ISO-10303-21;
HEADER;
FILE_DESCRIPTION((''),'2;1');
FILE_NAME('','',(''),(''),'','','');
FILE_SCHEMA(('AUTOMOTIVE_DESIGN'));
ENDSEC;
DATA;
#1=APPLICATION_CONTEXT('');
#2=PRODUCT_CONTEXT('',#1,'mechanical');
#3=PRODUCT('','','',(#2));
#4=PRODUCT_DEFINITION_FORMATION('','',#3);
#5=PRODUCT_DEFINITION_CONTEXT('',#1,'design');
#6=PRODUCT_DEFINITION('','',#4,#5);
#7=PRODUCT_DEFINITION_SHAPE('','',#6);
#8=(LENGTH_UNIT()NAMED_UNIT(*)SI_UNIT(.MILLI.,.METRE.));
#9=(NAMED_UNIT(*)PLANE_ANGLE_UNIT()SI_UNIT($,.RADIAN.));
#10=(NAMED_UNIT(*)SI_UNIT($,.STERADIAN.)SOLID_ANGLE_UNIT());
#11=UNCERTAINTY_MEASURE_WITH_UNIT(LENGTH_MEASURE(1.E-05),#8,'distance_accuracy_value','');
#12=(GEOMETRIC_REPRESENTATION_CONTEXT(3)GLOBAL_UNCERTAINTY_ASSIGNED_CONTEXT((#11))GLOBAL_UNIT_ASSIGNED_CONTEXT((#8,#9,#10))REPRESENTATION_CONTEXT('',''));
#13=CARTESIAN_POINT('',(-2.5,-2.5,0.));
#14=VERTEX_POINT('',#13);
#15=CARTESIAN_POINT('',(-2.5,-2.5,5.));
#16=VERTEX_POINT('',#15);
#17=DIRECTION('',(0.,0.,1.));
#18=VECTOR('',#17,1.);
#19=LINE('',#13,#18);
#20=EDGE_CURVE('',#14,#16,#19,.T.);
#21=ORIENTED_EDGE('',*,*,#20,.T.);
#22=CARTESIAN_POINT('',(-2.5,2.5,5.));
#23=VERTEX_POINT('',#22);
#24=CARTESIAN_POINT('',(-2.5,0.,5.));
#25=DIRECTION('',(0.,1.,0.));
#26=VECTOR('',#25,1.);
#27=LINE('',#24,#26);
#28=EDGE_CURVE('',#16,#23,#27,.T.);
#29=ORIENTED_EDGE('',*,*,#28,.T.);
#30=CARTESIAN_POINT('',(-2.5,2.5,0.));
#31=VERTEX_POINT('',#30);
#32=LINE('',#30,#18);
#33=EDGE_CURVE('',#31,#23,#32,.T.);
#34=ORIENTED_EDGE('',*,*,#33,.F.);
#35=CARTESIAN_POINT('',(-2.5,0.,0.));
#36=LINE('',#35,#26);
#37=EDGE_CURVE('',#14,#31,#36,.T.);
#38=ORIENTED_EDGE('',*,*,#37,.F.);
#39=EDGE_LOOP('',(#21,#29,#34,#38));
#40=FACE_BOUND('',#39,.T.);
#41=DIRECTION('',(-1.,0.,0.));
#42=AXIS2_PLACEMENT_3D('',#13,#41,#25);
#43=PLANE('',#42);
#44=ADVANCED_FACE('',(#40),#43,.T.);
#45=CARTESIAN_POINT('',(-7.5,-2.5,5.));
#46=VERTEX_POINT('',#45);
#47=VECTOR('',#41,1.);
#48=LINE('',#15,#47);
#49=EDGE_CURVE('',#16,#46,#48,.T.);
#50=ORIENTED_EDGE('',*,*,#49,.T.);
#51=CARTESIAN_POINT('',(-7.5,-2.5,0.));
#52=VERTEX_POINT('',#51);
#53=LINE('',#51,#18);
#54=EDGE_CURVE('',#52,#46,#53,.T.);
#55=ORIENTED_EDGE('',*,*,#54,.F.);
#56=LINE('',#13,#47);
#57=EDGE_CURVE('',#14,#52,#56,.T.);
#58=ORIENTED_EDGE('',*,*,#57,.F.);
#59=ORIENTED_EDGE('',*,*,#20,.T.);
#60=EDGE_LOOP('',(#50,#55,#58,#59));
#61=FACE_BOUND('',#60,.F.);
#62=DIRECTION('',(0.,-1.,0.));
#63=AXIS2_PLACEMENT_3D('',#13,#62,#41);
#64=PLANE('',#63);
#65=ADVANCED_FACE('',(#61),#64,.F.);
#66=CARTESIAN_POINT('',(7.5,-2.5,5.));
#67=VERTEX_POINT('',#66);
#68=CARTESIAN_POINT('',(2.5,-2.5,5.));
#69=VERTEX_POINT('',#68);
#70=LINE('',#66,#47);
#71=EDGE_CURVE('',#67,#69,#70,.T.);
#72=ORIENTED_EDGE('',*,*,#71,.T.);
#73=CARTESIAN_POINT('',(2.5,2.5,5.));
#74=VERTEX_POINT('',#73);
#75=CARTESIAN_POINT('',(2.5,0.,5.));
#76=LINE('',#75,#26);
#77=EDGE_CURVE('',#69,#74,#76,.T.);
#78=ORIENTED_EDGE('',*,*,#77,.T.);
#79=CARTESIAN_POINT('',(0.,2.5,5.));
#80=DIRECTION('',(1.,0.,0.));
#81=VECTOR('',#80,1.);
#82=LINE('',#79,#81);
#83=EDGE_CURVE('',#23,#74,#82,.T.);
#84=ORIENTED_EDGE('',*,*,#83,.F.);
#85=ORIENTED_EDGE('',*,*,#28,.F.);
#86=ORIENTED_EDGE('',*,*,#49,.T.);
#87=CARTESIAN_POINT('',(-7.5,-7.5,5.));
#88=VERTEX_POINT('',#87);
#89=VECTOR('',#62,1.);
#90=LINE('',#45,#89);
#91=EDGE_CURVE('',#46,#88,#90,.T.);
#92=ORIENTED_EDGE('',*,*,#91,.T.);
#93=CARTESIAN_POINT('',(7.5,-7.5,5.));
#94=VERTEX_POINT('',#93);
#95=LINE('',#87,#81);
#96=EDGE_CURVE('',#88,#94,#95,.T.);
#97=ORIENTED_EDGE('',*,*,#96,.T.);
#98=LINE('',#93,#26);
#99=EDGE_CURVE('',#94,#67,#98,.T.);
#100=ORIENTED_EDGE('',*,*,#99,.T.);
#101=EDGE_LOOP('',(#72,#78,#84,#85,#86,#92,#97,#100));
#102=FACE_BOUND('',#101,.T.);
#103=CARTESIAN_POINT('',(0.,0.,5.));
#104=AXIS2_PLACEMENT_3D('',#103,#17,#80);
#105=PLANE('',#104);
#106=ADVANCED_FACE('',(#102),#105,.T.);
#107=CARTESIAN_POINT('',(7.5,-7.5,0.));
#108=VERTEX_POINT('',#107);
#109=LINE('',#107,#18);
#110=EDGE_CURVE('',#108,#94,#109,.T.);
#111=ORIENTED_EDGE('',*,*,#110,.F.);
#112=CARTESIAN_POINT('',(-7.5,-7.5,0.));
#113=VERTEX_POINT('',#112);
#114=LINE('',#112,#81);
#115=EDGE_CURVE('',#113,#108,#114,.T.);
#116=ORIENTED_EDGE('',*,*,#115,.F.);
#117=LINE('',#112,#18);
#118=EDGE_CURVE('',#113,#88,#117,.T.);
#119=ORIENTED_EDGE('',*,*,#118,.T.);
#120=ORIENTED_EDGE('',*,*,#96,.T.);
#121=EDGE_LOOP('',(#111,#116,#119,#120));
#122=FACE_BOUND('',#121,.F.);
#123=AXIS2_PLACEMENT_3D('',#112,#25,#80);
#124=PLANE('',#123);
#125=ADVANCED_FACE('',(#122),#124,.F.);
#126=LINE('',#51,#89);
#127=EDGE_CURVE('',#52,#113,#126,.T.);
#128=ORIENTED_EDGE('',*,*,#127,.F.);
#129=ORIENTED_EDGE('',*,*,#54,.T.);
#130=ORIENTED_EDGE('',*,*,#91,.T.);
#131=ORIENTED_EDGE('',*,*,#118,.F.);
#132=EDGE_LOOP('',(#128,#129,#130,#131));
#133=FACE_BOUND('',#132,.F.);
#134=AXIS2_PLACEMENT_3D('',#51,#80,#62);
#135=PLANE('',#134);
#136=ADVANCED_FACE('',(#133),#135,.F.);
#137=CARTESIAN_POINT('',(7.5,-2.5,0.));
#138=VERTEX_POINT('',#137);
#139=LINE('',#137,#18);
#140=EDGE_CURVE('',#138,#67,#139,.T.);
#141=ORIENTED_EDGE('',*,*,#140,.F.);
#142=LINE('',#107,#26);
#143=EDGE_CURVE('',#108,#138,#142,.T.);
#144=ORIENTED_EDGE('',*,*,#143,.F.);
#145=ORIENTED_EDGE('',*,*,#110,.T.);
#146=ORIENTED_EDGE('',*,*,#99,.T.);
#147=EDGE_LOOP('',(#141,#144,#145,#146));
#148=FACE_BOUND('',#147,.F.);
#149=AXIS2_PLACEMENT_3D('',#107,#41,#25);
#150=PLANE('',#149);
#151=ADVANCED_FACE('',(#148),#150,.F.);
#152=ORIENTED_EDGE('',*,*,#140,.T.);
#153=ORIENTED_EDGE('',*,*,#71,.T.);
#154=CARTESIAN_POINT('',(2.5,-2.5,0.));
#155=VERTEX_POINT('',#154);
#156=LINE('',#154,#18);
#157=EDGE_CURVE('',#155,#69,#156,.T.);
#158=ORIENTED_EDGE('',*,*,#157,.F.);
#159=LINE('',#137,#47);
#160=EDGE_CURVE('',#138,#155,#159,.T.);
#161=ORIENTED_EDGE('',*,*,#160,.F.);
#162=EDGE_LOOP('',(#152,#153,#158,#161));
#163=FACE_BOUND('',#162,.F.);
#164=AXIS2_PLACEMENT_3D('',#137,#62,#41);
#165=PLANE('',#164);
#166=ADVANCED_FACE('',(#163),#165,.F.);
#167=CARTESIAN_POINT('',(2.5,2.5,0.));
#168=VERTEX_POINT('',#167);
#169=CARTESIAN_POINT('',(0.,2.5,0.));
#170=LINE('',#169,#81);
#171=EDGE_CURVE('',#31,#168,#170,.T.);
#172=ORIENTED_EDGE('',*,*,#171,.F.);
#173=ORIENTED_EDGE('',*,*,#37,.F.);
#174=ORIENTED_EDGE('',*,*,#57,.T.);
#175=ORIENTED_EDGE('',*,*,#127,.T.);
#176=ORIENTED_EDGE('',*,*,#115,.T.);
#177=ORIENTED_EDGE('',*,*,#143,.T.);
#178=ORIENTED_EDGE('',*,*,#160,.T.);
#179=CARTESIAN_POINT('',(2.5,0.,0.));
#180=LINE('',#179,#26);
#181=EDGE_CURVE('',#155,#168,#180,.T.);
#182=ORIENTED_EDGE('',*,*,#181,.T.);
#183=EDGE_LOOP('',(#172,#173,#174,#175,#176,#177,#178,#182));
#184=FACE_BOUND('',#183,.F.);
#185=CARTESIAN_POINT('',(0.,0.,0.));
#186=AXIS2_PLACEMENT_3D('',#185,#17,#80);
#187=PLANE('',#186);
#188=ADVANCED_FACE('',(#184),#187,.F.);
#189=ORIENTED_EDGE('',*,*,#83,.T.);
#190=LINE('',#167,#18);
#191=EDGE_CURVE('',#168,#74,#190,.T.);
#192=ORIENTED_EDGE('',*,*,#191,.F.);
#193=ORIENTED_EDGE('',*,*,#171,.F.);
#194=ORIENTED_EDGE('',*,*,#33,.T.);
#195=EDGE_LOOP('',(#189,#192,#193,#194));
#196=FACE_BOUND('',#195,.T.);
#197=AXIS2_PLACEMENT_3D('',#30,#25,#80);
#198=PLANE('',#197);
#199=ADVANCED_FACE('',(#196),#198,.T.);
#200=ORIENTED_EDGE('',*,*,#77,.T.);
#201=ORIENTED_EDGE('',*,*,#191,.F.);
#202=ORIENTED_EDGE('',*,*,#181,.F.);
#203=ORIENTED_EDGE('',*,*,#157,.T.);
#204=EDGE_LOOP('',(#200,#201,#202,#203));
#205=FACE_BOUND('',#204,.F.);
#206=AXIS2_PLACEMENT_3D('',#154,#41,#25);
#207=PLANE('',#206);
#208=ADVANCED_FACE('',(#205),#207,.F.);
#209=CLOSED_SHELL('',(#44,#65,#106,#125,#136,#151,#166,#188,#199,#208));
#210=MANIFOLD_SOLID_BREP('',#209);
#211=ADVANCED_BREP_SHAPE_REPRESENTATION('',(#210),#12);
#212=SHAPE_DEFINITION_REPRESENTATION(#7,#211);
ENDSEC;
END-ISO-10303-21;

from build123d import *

# Parameters (mm, degrees)
F0_W     = 5
F0_H     = 5
F1_DEPTH = 5


with BuildPart() as f1:
    # F0 (on Top) → F1 (new body)
    with BuildSketch(Plane.XY):
        Rectangle(F0_W, F0_H)
        Polygon((2.5, -2.5), (-2.5, -2.5), (-7.5, -2.5), (-7.5, -7.5), (7.5, -7.5), (7.5, -2.5), align=None)
    extrude(amount=F1_DEPTH)


solid = f1.part
